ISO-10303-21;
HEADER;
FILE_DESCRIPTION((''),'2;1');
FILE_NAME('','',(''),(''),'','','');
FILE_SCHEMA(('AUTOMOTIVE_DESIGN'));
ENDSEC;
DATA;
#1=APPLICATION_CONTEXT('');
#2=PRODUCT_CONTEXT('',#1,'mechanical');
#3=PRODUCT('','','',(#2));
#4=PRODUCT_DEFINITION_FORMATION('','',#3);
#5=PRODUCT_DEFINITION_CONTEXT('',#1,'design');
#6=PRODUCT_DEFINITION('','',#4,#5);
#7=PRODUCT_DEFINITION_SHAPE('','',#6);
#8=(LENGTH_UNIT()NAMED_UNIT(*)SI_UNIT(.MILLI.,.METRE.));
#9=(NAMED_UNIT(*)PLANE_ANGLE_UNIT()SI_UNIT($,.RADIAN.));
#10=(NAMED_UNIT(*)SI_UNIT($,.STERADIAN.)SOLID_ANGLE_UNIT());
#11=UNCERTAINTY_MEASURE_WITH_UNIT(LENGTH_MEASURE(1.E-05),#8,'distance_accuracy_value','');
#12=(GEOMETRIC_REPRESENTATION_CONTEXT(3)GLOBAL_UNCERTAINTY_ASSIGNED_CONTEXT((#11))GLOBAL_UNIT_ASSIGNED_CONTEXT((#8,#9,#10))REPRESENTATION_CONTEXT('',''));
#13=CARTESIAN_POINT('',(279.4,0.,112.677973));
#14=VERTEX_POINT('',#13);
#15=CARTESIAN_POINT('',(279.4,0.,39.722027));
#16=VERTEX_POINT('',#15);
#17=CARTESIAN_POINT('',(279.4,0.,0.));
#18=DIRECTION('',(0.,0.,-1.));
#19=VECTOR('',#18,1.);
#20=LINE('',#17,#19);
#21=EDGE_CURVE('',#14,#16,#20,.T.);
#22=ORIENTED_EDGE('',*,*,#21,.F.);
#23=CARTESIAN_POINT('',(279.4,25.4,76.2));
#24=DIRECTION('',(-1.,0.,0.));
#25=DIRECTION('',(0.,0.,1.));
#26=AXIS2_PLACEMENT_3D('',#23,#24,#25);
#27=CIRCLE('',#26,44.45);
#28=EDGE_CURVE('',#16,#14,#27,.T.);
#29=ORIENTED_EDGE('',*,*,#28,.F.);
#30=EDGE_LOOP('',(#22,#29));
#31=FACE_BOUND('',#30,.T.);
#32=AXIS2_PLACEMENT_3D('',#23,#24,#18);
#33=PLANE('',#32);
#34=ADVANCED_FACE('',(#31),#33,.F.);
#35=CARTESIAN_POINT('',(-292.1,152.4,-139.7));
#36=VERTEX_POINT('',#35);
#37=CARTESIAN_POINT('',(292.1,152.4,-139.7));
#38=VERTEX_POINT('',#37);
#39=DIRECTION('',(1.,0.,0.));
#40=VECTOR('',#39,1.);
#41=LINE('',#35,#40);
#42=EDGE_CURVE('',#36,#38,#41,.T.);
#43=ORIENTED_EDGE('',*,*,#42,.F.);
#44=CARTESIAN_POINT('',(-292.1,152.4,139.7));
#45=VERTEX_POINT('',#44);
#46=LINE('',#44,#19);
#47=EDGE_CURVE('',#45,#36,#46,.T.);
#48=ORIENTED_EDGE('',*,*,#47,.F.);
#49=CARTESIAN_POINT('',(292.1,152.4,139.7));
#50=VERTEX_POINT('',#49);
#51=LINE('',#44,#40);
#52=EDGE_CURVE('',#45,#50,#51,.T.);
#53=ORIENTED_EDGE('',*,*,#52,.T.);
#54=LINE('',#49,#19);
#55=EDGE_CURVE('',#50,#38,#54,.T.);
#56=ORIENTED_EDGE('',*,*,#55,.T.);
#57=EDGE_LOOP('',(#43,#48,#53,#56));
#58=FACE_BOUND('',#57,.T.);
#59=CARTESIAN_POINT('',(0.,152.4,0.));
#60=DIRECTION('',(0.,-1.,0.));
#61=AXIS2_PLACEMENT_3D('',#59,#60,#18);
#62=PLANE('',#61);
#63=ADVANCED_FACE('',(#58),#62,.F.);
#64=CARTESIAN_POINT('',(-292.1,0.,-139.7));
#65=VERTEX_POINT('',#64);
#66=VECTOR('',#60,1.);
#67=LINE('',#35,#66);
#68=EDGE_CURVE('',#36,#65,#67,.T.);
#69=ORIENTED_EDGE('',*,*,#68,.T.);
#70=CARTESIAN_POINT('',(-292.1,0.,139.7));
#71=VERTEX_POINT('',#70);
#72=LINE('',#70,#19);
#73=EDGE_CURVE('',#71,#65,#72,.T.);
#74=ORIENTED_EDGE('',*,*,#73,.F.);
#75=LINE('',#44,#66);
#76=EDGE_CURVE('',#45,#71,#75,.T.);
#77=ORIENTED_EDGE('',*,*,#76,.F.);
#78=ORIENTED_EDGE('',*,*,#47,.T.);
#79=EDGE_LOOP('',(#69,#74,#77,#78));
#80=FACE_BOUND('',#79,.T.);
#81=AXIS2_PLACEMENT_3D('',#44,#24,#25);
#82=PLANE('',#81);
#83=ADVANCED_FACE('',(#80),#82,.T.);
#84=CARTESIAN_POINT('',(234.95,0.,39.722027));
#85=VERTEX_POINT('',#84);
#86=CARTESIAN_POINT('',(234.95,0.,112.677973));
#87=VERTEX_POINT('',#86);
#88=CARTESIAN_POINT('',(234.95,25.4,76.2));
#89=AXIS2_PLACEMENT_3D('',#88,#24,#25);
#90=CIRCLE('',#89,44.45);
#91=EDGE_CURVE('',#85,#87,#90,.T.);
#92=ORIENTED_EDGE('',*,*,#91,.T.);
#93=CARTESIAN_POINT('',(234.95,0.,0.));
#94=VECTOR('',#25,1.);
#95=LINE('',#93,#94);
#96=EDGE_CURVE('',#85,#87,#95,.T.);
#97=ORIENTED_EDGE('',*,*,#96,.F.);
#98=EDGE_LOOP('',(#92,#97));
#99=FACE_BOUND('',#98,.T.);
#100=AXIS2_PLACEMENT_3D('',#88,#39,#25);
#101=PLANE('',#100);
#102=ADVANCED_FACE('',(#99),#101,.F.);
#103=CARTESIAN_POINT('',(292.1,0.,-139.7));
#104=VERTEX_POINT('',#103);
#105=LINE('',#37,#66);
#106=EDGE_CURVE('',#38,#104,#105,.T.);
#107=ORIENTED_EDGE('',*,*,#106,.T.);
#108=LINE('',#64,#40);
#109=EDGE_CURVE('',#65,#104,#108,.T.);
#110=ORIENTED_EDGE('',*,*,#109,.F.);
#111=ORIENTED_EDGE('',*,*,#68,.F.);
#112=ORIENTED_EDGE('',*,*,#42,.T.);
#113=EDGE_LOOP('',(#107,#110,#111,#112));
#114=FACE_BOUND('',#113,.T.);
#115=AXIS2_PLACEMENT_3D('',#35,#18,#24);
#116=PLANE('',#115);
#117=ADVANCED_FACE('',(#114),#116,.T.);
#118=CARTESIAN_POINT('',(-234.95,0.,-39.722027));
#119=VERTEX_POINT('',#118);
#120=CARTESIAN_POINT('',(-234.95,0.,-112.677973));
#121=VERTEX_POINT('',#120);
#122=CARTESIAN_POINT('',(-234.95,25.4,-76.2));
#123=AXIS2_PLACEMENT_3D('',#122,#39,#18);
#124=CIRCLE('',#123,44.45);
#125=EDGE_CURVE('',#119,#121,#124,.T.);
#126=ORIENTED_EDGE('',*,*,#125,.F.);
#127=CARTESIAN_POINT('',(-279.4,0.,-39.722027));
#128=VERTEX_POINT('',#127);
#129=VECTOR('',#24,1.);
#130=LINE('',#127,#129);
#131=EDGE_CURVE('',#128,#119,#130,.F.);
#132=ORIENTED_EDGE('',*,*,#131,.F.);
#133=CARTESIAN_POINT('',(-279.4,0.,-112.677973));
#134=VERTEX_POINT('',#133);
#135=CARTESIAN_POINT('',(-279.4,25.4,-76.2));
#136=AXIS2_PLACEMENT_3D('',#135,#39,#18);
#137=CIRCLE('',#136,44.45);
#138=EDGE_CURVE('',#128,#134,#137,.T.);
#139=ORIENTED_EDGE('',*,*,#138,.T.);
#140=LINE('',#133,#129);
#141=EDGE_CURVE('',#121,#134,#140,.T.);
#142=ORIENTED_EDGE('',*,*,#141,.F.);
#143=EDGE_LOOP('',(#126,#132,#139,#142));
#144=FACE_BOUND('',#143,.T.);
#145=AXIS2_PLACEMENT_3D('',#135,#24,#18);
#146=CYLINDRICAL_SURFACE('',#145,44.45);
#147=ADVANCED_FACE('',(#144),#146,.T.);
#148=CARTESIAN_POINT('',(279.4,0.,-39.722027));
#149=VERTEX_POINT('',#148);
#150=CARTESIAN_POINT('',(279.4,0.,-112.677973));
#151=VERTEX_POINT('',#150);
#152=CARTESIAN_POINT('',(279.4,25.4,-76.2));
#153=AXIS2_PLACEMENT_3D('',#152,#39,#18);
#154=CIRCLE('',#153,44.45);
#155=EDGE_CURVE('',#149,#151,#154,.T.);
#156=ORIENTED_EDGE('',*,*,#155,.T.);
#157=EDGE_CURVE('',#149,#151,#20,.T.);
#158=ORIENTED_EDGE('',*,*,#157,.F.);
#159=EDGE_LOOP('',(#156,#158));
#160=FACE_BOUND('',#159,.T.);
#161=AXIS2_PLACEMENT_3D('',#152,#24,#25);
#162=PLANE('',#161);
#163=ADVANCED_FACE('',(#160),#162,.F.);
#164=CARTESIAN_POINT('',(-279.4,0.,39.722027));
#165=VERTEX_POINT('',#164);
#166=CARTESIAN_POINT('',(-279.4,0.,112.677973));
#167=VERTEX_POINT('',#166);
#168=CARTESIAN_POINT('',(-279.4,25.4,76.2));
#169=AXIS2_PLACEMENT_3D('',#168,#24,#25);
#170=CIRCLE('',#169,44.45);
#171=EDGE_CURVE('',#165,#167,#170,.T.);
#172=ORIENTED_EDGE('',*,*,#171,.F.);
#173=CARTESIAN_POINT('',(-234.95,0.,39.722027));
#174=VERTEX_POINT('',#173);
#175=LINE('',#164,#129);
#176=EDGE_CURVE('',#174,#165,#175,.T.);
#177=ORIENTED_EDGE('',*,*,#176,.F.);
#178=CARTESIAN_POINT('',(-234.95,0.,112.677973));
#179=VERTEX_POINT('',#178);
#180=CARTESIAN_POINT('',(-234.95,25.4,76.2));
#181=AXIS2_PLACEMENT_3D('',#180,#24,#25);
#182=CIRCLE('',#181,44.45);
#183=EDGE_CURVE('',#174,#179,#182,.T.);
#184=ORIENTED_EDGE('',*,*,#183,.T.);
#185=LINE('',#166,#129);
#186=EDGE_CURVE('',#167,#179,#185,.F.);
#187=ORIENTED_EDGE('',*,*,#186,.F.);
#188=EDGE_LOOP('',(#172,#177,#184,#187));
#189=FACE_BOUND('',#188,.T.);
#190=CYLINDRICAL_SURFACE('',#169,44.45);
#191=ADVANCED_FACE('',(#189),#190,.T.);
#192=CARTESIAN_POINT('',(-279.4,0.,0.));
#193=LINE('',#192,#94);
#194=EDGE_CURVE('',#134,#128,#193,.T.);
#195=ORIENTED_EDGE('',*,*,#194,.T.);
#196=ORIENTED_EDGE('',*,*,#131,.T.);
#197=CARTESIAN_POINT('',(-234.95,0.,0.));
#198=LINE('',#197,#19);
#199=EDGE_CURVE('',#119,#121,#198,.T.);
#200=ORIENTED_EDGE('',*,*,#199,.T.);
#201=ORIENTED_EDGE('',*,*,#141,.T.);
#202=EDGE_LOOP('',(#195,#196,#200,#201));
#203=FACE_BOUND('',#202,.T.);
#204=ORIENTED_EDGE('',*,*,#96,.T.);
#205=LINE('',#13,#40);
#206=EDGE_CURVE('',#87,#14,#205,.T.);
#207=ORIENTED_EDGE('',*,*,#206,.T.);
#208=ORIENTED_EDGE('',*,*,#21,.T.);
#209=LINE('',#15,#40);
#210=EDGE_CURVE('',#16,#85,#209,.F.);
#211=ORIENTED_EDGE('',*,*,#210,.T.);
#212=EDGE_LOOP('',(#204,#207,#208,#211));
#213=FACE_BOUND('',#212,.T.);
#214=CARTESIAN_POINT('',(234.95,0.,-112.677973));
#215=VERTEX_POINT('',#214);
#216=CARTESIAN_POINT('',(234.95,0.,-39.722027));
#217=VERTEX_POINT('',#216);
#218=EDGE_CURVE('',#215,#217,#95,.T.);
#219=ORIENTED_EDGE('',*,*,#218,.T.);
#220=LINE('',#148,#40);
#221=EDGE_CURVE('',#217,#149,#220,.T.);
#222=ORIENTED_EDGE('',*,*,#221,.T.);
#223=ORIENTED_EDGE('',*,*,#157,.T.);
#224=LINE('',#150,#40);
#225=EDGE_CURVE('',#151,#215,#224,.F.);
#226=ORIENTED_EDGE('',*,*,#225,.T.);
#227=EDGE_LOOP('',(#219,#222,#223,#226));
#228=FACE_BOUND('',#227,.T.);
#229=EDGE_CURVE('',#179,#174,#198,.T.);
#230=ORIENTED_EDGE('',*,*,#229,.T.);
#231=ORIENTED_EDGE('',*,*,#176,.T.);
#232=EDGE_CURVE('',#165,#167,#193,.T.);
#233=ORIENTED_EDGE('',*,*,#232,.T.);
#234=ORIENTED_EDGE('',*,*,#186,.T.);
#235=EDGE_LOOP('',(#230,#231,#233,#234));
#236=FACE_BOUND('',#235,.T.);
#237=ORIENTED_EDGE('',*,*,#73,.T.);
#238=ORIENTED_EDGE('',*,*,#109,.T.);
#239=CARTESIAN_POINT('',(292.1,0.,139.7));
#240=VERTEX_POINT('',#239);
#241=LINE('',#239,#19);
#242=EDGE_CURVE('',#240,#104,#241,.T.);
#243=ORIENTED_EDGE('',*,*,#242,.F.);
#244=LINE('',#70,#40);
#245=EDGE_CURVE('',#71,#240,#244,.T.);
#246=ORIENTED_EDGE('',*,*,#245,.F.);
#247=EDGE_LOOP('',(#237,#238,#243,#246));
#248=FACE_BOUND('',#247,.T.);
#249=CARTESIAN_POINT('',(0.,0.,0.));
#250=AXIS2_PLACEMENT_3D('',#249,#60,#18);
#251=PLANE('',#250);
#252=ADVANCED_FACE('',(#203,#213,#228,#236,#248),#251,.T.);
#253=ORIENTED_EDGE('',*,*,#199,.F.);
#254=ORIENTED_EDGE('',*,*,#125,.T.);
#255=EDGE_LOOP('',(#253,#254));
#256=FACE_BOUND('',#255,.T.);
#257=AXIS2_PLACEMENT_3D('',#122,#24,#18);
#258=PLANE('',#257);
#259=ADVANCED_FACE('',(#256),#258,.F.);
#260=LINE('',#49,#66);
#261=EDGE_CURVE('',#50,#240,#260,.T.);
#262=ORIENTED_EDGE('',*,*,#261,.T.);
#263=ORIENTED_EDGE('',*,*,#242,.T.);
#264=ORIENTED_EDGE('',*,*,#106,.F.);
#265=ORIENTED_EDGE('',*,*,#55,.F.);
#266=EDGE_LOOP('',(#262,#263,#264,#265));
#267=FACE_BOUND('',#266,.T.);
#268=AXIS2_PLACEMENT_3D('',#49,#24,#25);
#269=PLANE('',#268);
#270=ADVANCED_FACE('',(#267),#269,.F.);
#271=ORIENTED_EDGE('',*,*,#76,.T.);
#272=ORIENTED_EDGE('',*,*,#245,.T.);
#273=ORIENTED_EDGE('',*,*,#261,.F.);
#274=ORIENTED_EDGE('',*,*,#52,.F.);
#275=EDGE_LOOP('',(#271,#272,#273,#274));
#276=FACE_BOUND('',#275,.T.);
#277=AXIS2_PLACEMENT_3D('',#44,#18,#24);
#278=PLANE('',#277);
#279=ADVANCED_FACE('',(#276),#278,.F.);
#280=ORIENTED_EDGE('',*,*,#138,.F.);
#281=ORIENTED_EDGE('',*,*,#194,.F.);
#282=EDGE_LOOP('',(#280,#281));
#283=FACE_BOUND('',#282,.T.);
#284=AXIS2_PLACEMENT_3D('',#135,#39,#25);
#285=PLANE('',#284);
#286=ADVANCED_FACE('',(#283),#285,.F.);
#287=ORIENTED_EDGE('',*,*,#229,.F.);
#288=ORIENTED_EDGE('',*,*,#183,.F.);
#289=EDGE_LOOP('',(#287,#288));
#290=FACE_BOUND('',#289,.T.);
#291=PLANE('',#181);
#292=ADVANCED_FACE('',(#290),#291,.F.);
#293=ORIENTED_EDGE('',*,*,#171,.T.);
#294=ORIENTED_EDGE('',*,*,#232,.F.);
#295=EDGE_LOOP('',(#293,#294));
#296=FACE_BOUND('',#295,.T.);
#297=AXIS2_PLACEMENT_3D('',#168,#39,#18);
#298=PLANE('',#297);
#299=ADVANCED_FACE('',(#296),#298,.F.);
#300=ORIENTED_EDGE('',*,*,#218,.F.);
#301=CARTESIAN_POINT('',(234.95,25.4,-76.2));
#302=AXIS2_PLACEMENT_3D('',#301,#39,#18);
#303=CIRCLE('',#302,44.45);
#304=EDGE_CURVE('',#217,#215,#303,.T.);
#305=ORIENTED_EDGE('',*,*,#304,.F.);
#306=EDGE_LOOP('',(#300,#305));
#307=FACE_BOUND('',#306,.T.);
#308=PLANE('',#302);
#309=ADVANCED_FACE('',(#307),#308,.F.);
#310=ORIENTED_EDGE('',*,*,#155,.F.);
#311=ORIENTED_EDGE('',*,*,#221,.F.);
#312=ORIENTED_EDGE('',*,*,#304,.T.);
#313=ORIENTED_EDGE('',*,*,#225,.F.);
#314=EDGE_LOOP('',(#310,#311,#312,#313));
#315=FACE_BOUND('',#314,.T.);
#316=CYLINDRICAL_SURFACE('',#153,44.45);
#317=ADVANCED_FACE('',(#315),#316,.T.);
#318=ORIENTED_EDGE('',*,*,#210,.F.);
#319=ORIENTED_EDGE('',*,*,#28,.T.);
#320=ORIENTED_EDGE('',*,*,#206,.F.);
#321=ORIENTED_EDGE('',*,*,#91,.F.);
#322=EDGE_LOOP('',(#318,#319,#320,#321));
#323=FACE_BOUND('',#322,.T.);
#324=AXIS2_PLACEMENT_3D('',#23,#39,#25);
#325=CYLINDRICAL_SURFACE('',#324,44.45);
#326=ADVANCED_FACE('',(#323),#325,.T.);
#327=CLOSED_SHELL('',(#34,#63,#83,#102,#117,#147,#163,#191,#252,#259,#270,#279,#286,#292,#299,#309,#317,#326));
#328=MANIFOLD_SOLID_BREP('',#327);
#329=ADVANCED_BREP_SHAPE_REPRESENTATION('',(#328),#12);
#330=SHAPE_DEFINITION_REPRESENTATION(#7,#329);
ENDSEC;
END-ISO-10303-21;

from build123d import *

# Parameters (mm, degrees)
CHASIS_W                = 584.2
CHASIS_H                = 279.4
BOSS_EXTRUDE1_DEPTH     = 152.4
SKETCH3_W               = 44.45
SKETCH3_H               = 44.45
MIRROR2_COPY_1_SKETCH_W = 44.45
MIRROR2_COPY_1_SKETCH_H = 44.45


with BuildPart() as part:
    # Chasis → Boss-Extrude1 (new body)
    with BuildSketch(Plane(origin=(0, 0, 0), x_dir=(1, 0, 0), z_dir=(0, 1, 0))):
        Rectangle(CHASIS_W, CHASIS_H)
    extrude(amount=BOSS_EXTRUDE1_DEPTH)

    # Sketch3 → Revolve1 (revolve)
    with BuildSketch(Plane(origin=(0, 25.4, 0), x_dir=(-1, 0, 0), z_dir=(0, -1, 0))):
        with Locations((257.175, -98.425)):
            Rectangle(SKETCH3_W, SKETCH3_H)
    revolve1 = revolve(axis=Axis((-279.4, 25.4, 76.2), (1, 0, 0)))

    # Mirror1: Revolve1 across plane
    add(revolve1.mirror(Plane.XY))

    # Mirror2: Revolve1 across plane
    add(revolve1.mirror(Plane(origin=(0, 0, 0), x_dir=(0, 0, 1), z_dir=(1, 0, 0))))

    # Mirror2 copy 1 sketch → Mirror2 copy 1 (revolve)
    with BuildSketch(Plane.XZ.offset(-25.4)):
        with Locations((257.175, -98.425)):
            Rectangle(MIRROR2_COPY_1_SKETCH_W, MIRROR2_COPY_1_SKETCH_H)
    revolve(axis=Axis((279.4, 25.4, -76.2), (-1, 0, 0)))


solid = part.part
